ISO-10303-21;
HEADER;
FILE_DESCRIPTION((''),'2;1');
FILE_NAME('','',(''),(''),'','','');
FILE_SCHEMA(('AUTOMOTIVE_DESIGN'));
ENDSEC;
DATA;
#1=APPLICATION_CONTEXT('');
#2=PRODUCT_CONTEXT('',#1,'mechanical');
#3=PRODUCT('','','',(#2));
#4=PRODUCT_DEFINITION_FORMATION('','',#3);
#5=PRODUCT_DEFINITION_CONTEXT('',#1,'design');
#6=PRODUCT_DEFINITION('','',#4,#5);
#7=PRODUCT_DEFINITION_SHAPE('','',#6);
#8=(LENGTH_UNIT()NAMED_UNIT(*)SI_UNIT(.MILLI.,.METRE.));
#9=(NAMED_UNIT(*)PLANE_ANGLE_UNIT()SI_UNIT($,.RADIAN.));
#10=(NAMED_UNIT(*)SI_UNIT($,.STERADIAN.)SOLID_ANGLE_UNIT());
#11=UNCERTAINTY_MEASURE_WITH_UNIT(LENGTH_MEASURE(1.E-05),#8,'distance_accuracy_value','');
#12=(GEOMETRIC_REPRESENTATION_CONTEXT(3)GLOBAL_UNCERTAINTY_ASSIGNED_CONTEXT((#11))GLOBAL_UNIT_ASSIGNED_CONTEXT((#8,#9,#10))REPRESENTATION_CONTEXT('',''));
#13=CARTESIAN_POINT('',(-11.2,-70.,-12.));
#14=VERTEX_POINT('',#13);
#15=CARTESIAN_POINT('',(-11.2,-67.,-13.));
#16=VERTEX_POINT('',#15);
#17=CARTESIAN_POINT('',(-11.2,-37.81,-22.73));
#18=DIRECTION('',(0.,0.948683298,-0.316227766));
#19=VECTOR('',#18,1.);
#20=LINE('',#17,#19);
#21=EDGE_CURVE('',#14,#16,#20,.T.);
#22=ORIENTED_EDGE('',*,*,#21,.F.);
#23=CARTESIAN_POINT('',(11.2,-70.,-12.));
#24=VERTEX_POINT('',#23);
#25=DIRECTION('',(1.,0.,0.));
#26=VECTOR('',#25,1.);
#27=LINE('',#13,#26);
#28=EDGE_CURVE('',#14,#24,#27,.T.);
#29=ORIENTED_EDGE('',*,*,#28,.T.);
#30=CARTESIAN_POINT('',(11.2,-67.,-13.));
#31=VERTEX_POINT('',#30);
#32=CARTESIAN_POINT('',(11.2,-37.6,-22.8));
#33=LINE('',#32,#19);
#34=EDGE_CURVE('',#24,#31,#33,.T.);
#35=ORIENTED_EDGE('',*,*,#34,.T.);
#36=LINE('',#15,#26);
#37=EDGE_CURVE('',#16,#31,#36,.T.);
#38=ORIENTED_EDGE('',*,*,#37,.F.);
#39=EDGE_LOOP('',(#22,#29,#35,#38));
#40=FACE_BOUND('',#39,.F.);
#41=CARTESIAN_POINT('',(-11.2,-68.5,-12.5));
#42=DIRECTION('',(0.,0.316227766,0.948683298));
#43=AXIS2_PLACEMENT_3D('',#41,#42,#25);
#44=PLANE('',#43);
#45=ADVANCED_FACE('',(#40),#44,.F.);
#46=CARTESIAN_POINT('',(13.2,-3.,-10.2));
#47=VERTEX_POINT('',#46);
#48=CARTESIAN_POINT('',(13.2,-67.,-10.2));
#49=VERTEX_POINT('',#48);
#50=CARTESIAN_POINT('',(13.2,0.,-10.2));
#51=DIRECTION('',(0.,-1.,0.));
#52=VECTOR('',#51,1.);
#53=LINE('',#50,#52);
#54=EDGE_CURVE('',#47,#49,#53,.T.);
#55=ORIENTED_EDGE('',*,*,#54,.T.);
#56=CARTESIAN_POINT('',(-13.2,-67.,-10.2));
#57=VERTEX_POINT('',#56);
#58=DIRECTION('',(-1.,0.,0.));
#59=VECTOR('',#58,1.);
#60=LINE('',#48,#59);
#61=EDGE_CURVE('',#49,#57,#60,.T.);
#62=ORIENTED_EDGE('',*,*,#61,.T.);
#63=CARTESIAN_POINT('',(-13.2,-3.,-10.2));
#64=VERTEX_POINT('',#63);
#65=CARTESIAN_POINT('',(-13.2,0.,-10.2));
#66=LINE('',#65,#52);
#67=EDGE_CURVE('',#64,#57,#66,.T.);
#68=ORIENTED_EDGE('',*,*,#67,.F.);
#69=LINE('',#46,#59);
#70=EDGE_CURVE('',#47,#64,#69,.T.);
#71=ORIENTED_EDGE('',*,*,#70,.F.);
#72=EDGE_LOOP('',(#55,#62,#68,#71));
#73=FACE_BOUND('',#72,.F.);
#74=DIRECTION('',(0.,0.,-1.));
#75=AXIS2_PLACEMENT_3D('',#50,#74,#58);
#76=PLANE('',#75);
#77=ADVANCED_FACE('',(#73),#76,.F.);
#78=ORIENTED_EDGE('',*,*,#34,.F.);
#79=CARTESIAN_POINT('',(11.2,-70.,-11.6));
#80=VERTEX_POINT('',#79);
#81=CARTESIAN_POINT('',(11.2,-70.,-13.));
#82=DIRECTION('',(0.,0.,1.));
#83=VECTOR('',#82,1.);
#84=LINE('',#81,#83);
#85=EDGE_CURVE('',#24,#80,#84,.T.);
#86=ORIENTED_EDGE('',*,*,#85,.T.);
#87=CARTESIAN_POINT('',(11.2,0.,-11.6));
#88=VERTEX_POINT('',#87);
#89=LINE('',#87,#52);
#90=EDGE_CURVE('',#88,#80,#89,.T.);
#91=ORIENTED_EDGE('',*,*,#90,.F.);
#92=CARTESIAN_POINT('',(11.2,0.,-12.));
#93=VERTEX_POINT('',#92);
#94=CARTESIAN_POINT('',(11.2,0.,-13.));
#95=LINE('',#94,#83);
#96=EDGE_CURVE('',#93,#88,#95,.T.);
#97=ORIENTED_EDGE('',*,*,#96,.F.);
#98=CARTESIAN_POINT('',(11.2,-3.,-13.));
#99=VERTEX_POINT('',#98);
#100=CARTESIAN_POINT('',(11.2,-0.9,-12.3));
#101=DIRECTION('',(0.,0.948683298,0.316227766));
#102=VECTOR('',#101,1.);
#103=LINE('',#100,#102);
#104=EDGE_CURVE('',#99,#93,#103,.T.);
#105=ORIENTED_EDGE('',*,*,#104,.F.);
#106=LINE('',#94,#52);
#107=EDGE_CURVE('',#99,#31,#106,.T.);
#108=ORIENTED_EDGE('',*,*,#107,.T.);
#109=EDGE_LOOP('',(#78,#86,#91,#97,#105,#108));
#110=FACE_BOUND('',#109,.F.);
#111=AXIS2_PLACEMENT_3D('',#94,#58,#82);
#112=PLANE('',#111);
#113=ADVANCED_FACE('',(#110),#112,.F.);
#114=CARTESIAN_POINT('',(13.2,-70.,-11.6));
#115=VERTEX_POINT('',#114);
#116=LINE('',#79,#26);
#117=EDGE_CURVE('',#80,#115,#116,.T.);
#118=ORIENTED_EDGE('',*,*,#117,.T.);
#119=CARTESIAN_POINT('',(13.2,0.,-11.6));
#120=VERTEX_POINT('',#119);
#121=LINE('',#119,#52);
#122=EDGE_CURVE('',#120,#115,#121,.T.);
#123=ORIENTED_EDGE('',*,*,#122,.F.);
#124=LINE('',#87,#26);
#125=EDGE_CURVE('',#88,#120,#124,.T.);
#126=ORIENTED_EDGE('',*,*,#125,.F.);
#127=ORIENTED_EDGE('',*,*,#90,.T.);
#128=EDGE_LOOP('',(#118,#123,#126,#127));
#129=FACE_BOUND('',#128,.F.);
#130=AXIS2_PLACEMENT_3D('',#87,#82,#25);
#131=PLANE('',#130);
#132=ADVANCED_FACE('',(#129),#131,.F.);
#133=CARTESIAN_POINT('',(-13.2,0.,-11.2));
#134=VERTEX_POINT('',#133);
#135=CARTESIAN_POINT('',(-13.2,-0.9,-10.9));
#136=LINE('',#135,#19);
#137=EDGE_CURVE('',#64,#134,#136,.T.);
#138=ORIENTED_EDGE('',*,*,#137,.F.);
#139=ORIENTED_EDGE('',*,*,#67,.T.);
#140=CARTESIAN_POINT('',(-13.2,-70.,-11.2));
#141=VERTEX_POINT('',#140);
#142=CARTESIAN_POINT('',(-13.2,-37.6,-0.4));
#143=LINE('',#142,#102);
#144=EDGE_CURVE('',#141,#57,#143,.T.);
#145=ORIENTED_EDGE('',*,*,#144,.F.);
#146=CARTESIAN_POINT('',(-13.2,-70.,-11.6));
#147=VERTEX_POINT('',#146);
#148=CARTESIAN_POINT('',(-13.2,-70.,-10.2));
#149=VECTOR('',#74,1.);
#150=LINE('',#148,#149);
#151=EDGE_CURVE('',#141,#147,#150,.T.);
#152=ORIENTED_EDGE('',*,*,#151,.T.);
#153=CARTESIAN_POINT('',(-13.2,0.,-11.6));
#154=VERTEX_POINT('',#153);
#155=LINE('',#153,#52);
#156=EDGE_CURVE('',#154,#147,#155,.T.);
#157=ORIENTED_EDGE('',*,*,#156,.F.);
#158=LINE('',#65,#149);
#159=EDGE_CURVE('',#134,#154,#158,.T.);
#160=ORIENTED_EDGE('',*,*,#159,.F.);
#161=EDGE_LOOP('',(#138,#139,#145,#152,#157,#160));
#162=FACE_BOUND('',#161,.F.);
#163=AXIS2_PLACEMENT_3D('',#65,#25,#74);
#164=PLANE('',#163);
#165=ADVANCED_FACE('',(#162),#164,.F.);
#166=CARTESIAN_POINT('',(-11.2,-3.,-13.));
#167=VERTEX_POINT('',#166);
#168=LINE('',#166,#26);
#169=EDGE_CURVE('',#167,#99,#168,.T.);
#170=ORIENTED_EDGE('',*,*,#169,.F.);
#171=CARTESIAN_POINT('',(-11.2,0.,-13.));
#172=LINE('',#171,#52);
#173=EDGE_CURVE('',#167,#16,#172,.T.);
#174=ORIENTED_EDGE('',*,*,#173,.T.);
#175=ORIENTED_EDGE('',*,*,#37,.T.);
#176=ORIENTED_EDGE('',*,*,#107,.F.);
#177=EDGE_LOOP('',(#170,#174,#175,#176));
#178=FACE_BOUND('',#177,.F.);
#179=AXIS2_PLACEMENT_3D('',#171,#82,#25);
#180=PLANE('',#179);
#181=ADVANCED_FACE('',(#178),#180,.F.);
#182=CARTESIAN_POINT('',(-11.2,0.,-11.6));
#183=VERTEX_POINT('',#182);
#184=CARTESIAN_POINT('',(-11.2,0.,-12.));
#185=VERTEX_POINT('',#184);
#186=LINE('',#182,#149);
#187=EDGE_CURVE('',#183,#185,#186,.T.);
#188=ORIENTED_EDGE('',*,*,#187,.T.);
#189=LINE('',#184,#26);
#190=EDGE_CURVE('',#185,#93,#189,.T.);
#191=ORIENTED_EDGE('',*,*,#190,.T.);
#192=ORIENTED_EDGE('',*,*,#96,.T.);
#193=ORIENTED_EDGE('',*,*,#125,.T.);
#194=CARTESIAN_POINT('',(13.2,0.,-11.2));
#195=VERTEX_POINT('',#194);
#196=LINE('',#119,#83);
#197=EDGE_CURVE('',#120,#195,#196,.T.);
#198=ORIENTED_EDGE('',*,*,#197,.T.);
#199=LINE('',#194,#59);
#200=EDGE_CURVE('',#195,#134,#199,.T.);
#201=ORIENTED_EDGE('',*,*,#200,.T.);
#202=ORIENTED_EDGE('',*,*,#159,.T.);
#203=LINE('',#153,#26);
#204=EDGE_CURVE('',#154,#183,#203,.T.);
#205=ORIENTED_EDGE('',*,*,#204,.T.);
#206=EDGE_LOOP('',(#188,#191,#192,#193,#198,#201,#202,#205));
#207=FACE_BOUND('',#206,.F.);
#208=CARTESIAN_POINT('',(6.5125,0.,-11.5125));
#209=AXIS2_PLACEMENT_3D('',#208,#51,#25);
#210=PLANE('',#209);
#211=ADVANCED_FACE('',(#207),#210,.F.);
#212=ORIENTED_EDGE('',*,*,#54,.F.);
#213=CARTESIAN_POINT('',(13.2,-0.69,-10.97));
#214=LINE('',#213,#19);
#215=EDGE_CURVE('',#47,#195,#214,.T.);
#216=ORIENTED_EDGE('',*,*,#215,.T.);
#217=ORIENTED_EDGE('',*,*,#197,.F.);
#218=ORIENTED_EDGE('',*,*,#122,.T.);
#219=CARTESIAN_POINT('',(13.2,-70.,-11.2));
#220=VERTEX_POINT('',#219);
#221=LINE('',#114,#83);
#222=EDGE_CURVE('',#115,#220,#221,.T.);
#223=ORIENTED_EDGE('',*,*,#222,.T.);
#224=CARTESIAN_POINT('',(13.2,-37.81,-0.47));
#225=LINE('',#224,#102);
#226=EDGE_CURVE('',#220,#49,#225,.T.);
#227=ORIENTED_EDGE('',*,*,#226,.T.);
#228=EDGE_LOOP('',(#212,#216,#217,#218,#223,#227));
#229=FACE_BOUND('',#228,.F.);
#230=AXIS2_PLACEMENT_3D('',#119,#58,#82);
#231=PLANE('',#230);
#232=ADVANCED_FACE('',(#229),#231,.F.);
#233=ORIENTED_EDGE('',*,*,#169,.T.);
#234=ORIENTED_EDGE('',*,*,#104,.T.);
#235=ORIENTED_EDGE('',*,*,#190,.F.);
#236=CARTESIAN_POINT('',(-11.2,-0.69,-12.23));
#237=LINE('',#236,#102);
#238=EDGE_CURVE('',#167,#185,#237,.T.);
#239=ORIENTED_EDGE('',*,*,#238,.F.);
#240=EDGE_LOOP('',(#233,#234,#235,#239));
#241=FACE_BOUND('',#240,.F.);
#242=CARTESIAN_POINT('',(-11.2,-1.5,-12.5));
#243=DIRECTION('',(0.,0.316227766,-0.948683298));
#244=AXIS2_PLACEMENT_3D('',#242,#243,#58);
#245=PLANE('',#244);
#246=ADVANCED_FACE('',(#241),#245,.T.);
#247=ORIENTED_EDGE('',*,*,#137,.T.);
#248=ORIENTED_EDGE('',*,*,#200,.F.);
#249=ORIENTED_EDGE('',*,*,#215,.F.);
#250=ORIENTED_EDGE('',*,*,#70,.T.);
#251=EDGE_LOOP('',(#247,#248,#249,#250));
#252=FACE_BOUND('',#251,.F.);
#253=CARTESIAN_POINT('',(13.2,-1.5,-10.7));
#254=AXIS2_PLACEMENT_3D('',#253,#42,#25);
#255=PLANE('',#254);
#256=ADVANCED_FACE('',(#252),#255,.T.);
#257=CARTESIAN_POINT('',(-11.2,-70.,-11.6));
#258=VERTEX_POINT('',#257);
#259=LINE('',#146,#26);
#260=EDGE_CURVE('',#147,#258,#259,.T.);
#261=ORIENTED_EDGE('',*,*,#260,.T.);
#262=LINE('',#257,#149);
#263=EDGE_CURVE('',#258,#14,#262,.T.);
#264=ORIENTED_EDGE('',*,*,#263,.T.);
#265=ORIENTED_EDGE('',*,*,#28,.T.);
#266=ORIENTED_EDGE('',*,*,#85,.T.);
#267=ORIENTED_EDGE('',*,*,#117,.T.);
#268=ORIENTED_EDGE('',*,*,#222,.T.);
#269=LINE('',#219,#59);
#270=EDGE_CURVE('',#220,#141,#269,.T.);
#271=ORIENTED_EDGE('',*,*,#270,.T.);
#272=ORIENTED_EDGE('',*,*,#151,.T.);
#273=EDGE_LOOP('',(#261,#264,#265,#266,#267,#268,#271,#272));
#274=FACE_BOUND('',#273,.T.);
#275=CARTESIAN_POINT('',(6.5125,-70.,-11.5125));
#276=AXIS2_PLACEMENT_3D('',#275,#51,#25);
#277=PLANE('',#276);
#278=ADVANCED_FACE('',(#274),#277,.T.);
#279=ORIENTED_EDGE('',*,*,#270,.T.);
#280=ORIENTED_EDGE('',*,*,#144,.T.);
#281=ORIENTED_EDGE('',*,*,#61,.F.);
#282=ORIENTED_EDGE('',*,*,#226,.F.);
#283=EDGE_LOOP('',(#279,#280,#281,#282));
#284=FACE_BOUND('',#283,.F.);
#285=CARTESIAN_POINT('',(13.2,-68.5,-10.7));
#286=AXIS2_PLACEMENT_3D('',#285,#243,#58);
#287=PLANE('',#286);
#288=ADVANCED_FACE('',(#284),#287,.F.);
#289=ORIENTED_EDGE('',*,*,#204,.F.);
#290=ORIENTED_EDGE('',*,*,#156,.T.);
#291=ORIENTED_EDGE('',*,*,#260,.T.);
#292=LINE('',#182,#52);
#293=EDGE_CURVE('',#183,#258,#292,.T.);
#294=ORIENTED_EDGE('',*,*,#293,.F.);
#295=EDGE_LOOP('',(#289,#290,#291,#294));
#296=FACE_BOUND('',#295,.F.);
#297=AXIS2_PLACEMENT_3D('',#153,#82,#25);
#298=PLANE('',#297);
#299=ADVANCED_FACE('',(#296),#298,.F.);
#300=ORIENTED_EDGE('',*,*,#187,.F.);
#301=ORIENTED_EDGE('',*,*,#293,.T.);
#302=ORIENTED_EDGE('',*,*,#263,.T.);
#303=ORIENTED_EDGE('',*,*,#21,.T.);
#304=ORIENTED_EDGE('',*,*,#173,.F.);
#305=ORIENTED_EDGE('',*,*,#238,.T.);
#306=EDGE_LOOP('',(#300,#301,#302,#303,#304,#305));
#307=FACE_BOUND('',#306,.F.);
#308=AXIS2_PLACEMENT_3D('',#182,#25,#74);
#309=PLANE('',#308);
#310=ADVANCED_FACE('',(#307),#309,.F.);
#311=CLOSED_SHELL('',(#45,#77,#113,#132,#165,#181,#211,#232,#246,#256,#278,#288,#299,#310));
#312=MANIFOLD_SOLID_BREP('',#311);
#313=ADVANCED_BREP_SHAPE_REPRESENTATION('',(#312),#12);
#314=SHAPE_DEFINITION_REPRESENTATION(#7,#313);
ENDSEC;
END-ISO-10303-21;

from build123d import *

# Parameters (mm, degrees)
F1_DEPTH   = 70
F2_SIZE2   = 3
F2_SIZE    = 1
F3_SIZE2   = 1
F3_SIZE    = 3
F3_2_SIZE2 = 1
F3_2_SIZE  = 3


with BuildPart() as f1:
    # F0 (on Front) → F1 (new body)
    with BuildSketch(Plane.XZ):
        Polygon((13.2, -10.2), (0, -10.2), (0, -13), (11.2, -13), (11.2, -11.6), (13.2, -11.6), align=None)
        Polygon((0, -13), (0, -10.2), (-13.2, -10.2), (-13.2, -11.6), (-11.2, -11.6), (-11.2, -13), align=None)
    extrude(amount=F1_DEPTH)

    # F2
    f2_edges = [f1.edges().sort_by_distance(p)[0] for p in [
        (0, -70, -13),
        (0, -70, -10.2),
    ]]
    f2_side = f1.faces().sort_by_distance((0, -70, -11.542623))[0]
    chamfer(f2_edges, length=F2_SIZE, length2=F2_SIZE2, reference=f2_side)

    # F3
    f3_edges = [f1.edges().sort_by_distance(p)[0] for p in [
        (0, 0, -10.2),
    ]]
    f3_side = f1.faces().sort_by_distance((0, -33.5, -10.2))[0]
    chamfer(f3_edges, length=F3_SIZE, length2=F3_SIZE2, reference=f3_side)

    # F3#2
    f3_2_edges = [f1.edges().sort_by_distance(p)[0] for p in [
        (0, 0, -13),
    ]]
    f3_2_side = f1.faces().sort_by_distance((0, -33.5, -13))[0]
    chamfer(f3_2_edges, length=F3_2_SIZE, length2=F3_2_SIZE2, reference=f3_2_side)


solid = f1.part
